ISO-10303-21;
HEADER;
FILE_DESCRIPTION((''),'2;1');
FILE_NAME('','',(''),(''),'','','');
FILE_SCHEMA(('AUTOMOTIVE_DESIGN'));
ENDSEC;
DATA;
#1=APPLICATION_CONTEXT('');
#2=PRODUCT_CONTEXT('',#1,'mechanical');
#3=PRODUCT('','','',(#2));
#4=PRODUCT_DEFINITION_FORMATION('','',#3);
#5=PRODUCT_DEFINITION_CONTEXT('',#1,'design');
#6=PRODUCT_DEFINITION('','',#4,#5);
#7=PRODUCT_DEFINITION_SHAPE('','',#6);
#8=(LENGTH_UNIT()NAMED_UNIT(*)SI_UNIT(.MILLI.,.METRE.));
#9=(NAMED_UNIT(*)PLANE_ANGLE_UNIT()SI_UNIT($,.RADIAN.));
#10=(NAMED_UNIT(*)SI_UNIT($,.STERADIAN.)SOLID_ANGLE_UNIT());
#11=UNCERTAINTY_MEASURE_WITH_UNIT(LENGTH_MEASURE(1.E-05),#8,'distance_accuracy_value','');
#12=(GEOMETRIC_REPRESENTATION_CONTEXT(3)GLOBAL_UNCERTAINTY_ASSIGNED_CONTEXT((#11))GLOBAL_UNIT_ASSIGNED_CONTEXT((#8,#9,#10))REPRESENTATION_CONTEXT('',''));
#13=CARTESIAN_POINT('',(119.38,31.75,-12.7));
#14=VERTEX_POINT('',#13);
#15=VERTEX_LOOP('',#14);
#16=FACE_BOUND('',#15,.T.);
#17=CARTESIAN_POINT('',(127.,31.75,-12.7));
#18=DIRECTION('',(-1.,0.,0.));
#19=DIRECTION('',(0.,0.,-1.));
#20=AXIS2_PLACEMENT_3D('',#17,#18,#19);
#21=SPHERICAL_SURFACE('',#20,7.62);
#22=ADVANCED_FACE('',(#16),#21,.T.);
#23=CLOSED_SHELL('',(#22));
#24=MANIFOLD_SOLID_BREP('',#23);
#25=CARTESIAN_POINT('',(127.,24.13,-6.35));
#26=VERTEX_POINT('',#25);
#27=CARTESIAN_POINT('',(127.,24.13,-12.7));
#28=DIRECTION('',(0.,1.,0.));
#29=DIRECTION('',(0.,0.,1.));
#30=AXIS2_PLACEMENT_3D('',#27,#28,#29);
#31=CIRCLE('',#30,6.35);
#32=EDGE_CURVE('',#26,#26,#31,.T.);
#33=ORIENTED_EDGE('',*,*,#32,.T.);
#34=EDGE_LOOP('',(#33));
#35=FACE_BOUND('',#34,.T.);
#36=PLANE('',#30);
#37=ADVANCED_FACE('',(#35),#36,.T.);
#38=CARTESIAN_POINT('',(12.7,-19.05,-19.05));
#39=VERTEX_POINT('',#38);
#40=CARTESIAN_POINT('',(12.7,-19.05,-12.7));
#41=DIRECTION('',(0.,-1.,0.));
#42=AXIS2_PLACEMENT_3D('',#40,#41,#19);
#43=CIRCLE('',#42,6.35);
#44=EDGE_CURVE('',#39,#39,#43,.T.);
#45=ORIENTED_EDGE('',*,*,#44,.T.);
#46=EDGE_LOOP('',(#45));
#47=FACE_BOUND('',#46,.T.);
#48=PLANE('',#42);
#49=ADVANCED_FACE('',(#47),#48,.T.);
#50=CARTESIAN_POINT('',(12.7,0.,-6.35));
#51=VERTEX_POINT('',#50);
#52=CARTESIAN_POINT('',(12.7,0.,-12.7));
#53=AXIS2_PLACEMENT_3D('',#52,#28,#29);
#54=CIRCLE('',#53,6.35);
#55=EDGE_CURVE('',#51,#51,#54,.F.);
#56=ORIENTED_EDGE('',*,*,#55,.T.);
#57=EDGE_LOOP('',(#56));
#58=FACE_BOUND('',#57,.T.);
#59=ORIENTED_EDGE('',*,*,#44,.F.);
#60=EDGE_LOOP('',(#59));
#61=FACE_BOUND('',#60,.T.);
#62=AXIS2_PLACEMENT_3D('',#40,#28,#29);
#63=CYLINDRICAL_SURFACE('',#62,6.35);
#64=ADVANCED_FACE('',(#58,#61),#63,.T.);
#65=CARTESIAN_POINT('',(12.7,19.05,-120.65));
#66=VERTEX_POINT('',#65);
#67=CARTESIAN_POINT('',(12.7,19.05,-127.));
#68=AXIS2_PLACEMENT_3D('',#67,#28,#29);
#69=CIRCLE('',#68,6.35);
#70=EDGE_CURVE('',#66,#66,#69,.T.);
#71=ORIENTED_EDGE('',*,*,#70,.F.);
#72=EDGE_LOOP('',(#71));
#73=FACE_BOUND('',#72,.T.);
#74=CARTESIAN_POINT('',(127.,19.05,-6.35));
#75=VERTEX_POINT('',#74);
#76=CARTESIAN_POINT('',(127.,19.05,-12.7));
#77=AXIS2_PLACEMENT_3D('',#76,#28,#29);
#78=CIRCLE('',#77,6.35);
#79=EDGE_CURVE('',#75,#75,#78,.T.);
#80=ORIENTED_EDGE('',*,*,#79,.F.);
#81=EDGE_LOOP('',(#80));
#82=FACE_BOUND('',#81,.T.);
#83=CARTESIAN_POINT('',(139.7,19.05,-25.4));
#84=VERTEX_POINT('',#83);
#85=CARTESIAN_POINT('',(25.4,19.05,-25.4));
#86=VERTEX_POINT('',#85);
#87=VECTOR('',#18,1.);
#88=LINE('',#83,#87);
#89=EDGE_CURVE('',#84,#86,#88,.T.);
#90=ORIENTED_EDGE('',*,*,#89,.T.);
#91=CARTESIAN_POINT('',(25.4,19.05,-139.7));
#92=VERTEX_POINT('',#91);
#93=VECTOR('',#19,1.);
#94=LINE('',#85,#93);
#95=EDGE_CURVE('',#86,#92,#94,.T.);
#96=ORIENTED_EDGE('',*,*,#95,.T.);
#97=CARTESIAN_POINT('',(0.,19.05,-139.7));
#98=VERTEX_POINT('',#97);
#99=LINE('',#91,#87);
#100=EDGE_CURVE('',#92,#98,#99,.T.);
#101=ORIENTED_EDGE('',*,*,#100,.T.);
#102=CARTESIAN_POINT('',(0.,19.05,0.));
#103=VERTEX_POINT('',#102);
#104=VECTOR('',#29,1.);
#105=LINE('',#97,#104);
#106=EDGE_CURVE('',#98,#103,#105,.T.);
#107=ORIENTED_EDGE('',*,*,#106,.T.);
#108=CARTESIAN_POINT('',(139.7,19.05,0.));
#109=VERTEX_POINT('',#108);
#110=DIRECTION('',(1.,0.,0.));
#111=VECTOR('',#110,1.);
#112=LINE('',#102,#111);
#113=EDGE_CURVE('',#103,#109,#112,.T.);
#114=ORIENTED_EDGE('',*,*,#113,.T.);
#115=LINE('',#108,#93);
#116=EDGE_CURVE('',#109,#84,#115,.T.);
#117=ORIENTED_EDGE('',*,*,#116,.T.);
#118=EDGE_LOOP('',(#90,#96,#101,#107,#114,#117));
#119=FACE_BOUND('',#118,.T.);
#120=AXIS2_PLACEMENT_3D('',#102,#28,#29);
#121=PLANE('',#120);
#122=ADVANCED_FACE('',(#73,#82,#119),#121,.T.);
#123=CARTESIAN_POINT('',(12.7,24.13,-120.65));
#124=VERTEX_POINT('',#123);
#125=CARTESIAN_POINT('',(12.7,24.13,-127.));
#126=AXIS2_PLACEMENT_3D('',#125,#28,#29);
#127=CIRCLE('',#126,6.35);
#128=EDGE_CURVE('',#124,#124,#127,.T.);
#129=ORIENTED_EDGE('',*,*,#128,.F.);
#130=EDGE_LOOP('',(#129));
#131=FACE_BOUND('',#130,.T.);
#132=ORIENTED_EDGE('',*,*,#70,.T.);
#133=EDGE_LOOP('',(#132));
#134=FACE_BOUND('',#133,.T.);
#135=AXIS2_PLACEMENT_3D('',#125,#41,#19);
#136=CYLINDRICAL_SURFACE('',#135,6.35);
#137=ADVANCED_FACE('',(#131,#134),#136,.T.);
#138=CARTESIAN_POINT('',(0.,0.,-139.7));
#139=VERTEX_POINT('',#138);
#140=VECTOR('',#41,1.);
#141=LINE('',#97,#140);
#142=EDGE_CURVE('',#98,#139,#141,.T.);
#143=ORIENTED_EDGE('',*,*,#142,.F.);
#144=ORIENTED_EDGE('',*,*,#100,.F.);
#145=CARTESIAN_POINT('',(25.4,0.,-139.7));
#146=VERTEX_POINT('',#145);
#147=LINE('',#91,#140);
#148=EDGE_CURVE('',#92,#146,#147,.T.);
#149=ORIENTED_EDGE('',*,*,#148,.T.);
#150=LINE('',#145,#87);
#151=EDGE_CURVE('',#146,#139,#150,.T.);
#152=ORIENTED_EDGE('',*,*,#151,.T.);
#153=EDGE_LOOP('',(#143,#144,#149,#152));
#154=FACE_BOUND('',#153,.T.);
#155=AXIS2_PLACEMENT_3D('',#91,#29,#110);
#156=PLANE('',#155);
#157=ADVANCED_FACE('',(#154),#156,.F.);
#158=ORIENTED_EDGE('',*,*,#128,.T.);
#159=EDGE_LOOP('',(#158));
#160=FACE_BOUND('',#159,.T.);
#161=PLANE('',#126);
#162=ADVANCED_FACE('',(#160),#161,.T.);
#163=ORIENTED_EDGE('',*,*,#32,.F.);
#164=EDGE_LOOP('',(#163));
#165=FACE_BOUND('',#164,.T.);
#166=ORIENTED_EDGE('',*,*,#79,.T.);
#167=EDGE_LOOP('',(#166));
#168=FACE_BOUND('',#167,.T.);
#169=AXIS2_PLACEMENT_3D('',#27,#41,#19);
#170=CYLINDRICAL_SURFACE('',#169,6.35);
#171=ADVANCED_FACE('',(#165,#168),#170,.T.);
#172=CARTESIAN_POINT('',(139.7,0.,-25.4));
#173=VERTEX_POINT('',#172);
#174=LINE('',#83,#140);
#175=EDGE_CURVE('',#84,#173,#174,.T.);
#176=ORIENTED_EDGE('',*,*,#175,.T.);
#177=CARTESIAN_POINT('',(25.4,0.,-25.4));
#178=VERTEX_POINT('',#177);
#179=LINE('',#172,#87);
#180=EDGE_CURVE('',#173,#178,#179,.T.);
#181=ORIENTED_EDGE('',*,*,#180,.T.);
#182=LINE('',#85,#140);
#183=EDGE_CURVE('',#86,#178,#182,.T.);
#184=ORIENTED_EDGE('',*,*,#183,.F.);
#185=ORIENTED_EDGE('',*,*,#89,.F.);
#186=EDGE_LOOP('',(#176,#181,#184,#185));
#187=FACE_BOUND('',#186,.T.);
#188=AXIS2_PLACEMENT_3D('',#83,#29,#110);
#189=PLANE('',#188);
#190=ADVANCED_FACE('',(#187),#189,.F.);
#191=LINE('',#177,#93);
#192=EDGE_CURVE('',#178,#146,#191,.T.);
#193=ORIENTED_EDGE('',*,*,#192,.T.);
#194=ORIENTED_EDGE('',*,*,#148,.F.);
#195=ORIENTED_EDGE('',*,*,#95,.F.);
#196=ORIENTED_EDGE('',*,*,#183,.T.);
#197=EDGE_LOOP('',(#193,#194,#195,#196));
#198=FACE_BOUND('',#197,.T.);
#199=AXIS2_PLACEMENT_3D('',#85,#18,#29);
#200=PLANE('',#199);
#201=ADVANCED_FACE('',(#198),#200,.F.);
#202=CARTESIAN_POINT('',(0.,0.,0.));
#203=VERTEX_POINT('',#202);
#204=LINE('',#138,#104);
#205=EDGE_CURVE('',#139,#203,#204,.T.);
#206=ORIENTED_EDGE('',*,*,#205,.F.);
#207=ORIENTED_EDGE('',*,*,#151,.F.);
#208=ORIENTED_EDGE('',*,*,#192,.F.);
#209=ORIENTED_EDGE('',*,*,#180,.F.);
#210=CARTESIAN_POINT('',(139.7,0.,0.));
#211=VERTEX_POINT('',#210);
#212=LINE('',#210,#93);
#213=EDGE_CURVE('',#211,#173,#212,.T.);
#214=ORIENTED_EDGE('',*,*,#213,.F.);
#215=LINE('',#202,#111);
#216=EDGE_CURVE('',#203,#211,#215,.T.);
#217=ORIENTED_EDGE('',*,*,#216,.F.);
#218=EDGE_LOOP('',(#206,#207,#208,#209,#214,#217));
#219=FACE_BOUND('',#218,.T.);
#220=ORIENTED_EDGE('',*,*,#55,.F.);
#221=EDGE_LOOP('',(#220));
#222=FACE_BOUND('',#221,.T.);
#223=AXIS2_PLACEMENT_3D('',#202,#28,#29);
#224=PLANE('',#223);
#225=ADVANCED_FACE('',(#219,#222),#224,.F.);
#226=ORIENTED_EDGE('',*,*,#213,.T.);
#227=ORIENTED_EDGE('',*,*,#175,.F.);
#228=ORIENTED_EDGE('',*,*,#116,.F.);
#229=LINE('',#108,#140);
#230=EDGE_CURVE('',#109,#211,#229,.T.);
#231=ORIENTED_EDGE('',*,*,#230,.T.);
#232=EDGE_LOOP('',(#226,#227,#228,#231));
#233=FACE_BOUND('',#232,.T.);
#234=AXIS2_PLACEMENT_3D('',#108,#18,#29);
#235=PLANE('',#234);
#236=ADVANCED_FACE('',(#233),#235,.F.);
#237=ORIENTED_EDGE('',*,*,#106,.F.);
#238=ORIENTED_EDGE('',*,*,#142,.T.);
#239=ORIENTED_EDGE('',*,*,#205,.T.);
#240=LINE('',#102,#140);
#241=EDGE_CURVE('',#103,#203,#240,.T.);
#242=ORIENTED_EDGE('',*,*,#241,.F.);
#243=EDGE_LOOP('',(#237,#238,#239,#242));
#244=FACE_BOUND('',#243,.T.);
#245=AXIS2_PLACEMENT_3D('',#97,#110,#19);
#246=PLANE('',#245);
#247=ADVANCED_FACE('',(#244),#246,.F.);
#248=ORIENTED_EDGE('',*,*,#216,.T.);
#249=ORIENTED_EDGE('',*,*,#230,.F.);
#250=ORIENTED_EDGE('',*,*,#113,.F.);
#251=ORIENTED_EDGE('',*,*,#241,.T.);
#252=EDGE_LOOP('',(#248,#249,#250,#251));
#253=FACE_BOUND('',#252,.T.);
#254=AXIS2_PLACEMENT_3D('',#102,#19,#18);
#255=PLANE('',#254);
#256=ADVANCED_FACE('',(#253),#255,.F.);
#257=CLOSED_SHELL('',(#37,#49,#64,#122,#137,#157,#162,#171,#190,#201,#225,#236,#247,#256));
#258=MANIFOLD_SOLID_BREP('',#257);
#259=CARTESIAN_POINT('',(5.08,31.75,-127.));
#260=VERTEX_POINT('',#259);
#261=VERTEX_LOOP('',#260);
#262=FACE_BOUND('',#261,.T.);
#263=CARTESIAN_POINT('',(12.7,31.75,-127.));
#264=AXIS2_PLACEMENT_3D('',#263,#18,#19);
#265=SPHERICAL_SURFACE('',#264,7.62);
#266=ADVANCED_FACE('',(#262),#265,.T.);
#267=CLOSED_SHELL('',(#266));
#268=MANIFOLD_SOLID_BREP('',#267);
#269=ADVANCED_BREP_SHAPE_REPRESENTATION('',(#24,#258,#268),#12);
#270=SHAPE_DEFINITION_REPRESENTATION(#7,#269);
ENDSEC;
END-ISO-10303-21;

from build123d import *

# Parameters (mm, degrees)
BOSS_EXTRUDE1_DEPTH = 19.05
SKETCH3_R           = 6.35
BOSS_EXTRUDE2_DEPTH = 5.08
SKETCH4_R           = 6.35
BOSS_EXTRUDE3_DEPTH = 19.05


with BuildPart() as part:
    # Sketch2 → Boss-Extrude1 (new body)
    with BuildSketch(Plane(origin=(0, 0, 0), x_dir=(1, 0, 0), z_dir=(0, 1, 0))):
        Polygon((0, 139.7), (0, 0), (139.7, 0), (139.7, 25.4), (25.4, 25.4), (25.4, 139.7), align=None)
    extrude(amount=BOSS_EXTRUDE1_DEPTH)

    # Sketch3 → Boss-Extrude2 (add)
    with BuildSketch(Plane(origin=(0, 19.05, 0), x_dir=(1, 0, 0), z_dir=(0, 1, 0))):
        with Locations((127, 12.7)):
            Circle(SKETCH3_R)
        with Locations((12.7, 127)):
            Circle(SKETCH3_R)
    extrude(amount=BOSS_EXTRUDE2_DEPTH)

    # Sketch4 → Boss-Extrude3 (add)
    with BuildSketch(Plane.XZ):
        with Locations((12.7, -12.7)):
            Circle(SKETCH4_R)
    extrude(amount=BOSS_EXTRUDE3_DEPTH)


with BuildPart() as body_2:
    # Sketch5 → Revolve1 (revolve)
    with BuildSketch(Plane(origin=(0, 31.75, 0), x_dir=(1, 0, 0), z_dir=(0, 1, 0))):
        with BuildLine():
            Line((5.08, 127), (20.32, 127))
            ThreePointArc((20.32, 127), (12.7, 119.38), (5.08, 127))
        make_face()
    revolve(axis=Axis((5.08, 31.75, -127), (1, 0, 0)))


with BuildPart() as body_3:
    # Sketch6 → Revolve2 (revolve)
    with BuildSketch(Plane(origin=(0, 31.75, 0), x_dir=(1, 0, 0), z_dir=(0, 1, 0))):
        with BuildLine():
            Line((119.38, 12.7), (134.62, 12.7))
            ThreePointArc((134.62, 12.7), (127, 5.08), (119.38, 12.7))
        make_face()
    revolve(axis=Axis((119.38, 31.75, -12.7), (1, 0, 0)))


solid = Compound([part.part, body_2.part, body_3.part])
